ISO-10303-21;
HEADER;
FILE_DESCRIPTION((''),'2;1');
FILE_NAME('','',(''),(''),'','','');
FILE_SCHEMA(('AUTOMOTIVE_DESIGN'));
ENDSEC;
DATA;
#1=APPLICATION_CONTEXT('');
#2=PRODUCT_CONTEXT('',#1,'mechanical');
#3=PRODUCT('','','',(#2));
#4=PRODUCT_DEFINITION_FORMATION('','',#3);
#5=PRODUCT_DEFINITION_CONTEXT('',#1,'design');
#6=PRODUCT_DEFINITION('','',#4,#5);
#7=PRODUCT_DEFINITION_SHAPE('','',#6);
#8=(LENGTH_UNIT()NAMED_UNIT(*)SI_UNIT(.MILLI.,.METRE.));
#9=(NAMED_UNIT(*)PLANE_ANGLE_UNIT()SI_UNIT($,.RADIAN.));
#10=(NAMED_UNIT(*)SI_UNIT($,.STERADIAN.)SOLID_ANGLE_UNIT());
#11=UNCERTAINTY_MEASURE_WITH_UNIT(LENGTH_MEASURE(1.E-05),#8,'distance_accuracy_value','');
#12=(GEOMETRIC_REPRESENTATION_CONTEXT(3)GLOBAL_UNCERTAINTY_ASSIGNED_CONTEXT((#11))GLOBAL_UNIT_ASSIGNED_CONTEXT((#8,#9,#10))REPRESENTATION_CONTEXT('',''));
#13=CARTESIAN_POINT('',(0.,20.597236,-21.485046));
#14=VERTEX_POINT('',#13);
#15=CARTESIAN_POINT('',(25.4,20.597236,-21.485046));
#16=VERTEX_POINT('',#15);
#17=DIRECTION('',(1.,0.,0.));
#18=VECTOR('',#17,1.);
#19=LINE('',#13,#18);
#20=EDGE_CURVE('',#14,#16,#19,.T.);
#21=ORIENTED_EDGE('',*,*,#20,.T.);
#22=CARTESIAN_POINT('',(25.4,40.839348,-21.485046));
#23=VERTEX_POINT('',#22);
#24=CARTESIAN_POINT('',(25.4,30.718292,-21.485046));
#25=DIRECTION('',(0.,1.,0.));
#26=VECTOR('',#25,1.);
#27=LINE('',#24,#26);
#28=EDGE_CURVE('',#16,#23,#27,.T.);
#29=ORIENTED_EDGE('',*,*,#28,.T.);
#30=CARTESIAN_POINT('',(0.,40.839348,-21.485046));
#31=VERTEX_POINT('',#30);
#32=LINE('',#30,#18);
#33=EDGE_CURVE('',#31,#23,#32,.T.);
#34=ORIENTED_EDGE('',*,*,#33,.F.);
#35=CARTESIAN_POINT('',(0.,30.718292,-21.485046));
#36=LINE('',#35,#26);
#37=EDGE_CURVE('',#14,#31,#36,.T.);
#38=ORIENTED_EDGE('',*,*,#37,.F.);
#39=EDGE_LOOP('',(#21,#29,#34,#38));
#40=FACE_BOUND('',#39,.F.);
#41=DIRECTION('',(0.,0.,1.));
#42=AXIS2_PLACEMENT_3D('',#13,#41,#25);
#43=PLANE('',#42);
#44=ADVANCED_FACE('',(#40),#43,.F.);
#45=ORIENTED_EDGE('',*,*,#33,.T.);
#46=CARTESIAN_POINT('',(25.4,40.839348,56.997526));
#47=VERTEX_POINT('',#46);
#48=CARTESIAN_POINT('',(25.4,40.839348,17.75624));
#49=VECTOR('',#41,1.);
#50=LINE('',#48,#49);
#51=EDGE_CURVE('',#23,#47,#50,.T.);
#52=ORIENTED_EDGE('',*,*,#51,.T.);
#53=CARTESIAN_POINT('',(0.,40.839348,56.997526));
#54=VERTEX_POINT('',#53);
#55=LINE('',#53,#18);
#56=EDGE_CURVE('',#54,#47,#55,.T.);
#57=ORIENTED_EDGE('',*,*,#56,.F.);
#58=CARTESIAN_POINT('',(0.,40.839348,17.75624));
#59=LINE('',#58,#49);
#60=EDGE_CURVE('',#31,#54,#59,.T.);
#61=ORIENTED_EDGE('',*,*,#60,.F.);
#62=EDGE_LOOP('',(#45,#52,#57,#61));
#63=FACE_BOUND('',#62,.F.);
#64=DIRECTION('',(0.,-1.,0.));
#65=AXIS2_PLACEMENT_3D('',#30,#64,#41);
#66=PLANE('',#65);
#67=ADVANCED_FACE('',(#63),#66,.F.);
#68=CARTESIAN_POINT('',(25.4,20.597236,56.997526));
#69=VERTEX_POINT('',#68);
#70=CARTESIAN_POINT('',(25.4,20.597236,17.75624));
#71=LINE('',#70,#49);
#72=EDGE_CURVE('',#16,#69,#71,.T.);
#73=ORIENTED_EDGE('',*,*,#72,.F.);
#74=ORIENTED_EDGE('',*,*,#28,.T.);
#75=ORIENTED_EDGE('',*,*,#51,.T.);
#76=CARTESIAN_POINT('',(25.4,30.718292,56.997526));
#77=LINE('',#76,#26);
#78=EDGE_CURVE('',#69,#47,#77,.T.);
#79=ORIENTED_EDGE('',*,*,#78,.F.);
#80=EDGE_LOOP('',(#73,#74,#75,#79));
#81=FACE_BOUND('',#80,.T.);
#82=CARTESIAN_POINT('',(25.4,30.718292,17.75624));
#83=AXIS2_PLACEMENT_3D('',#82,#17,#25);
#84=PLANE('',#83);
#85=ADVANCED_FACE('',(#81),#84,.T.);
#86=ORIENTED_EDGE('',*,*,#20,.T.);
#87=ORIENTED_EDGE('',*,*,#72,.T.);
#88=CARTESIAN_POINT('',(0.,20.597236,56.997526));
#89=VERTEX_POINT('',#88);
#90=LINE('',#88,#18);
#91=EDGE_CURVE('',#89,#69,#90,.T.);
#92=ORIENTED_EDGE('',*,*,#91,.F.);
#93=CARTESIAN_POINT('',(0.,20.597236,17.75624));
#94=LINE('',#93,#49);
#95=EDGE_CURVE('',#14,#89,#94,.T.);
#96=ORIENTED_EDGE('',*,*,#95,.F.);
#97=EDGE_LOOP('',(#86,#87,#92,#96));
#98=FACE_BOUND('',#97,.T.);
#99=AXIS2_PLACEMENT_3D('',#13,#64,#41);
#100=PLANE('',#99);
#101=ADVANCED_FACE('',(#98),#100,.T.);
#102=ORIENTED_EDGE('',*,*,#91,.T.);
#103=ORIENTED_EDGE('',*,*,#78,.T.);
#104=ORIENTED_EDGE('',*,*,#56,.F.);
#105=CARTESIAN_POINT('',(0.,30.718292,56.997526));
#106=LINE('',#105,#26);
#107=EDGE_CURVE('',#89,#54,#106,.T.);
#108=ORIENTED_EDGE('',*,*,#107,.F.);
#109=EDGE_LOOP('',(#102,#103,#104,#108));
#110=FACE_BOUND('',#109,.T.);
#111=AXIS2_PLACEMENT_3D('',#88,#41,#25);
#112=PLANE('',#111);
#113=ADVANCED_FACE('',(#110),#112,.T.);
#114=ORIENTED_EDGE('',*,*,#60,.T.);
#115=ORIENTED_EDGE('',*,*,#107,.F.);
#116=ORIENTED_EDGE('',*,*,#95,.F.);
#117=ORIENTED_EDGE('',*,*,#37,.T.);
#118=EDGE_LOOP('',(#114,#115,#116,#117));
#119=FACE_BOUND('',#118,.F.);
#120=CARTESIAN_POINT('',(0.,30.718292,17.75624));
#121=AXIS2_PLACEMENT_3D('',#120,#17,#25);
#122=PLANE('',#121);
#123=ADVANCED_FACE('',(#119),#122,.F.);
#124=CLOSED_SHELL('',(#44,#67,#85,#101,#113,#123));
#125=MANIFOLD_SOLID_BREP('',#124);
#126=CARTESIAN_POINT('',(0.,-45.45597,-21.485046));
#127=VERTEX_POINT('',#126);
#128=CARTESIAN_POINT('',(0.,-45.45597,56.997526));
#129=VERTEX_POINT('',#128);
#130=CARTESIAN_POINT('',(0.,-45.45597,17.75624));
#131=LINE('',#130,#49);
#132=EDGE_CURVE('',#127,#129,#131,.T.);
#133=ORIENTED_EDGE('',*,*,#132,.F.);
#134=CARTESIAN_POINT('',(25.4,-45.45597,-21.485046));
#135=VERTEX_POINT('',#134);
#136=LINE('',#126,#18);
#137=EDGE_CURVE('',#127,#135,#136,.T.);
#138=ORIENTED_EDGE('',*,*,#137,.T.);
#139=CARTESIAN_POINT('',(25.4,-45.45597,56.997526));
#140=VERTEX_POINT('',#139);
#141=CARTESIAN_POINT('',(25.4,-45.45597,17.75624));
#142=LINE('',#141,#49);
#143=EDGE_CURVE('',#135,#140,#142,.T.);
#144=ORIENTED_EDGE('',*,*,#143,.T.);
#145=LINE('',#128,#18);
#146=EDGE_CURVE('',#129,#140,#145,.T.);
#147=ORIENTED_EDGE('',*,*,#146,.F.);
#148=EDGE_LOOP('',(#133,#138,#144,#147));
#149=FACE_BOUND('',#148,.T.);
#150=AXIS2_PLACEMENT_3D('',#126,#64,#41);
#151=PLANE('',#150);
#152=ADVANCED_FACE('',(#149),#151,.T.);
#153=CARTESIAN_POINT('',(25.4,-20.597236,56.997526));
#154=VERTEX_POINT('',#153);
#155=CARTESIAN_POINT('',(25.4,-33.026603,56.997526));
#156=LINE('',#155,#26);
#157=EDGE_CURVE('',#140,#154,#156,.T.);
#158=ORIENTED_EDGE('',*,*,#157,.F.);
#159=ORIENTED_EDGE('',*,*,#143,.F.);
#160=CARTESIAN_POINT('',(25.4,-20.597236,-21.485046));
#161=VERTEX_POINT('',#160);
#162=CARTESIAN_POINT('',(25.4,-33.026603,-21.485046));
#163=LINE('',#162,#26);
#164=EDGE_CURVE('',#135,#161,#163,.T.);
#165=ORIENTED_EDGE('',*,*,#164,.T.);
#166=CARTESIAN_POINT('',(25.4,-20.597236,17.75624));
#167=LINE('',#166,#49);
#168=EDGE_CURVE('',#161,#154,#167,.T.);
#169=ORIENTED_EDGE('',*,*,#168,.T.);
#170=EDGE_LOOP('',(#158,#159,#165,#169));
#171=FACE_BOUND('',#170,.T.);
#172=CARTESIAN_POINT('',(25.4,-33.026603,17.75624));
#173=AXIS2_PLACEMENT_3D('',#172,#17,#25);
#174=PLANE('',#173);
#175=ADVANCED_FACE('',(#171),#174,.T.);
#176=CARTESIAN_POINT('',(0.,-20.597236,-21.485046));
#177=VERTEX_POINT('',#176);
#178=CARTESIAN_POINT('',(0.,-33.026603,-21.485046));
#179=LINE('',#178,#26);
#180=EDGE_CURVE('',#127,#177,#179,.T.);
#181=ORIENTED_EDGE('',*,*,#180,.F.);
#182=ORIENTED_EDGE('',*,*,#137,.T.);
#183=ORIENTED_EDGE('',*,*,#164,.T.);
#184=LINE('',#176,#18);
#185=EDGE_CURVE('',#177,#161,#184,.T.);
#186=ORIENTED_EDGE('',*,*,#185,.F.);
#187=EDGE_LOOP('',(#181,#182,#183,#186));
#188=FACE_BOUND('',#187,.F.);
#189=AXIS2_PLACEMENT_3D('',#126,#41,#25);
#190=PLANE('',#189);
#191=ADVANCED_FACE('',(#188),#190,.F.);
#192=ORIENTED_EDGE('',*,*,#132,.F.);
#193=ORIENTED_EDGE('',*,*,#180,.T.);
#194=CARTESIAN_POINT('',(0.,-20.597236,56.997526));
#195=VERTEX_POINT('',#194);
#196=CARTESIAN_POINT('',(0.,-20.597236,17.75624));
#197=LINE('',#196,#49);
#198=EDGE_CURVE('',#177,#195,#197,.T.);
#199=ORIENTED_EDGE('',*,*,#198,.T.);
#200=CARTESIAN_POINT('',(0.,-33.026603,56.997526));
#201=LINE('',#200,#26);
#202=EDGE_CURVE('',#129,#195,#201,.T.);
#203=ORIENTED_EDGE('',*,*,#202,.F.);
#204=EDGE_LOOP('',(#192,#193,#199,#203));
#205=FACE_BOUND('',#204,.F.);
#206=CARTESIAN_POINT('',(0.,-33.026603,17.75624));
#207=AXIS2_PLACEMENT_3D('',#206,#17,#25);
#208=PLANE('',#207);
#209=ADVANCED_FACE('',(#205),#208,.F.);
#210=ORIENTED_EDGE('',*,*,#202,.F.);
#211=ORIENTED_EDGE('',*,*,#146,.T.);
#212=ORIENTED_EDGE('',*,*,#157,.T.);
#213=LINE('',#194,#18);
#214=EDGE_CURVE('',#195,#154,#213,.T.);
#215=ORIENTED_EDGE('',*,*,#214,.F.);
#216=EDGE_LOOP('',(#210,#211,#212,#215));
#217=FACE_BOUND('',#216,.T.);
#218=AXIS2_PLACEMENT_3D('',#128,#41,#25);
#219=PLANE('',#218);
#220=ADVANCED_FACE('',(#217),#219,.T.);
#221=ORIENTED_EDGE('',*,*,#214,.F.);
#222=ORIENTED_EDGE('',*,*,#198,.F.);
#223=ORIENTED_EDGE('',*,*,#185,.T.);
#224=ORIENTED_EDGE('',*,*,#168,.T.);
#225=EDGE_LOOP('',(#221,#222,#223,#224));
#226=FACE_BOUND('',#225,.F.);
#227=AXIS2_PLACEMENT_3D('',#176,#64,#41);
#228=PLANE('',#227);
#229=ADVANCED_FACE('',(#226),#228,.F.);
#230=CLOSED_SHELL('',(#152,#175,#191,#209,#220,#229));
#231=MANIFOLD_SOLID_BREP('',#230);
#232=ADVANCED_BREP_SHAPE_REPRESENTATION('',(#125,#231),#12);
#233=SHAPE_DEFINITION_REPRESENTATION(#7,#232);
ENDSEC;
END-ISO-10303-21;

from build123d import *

# Parameters (mm, degrees)
F0_W     = 24.858734
F0_H     = 78.482572
F0_W_2   = 20.242112
F1_DEPTH = 25.4


with BuildPart() as f1:
    # F0 (on Right) → F1 (new body)
    with BuildSketch(Plane.YZ):
        with Locations((-33.026603, 17.75624)):
            Rectangle(F0_W, F0_H)
        with Locations((30.718292, 17.75624)):
            Rectangle(F0_W_2, F0_H)
    extrude(amount=F1_DEPTH)


solid = f1.part
